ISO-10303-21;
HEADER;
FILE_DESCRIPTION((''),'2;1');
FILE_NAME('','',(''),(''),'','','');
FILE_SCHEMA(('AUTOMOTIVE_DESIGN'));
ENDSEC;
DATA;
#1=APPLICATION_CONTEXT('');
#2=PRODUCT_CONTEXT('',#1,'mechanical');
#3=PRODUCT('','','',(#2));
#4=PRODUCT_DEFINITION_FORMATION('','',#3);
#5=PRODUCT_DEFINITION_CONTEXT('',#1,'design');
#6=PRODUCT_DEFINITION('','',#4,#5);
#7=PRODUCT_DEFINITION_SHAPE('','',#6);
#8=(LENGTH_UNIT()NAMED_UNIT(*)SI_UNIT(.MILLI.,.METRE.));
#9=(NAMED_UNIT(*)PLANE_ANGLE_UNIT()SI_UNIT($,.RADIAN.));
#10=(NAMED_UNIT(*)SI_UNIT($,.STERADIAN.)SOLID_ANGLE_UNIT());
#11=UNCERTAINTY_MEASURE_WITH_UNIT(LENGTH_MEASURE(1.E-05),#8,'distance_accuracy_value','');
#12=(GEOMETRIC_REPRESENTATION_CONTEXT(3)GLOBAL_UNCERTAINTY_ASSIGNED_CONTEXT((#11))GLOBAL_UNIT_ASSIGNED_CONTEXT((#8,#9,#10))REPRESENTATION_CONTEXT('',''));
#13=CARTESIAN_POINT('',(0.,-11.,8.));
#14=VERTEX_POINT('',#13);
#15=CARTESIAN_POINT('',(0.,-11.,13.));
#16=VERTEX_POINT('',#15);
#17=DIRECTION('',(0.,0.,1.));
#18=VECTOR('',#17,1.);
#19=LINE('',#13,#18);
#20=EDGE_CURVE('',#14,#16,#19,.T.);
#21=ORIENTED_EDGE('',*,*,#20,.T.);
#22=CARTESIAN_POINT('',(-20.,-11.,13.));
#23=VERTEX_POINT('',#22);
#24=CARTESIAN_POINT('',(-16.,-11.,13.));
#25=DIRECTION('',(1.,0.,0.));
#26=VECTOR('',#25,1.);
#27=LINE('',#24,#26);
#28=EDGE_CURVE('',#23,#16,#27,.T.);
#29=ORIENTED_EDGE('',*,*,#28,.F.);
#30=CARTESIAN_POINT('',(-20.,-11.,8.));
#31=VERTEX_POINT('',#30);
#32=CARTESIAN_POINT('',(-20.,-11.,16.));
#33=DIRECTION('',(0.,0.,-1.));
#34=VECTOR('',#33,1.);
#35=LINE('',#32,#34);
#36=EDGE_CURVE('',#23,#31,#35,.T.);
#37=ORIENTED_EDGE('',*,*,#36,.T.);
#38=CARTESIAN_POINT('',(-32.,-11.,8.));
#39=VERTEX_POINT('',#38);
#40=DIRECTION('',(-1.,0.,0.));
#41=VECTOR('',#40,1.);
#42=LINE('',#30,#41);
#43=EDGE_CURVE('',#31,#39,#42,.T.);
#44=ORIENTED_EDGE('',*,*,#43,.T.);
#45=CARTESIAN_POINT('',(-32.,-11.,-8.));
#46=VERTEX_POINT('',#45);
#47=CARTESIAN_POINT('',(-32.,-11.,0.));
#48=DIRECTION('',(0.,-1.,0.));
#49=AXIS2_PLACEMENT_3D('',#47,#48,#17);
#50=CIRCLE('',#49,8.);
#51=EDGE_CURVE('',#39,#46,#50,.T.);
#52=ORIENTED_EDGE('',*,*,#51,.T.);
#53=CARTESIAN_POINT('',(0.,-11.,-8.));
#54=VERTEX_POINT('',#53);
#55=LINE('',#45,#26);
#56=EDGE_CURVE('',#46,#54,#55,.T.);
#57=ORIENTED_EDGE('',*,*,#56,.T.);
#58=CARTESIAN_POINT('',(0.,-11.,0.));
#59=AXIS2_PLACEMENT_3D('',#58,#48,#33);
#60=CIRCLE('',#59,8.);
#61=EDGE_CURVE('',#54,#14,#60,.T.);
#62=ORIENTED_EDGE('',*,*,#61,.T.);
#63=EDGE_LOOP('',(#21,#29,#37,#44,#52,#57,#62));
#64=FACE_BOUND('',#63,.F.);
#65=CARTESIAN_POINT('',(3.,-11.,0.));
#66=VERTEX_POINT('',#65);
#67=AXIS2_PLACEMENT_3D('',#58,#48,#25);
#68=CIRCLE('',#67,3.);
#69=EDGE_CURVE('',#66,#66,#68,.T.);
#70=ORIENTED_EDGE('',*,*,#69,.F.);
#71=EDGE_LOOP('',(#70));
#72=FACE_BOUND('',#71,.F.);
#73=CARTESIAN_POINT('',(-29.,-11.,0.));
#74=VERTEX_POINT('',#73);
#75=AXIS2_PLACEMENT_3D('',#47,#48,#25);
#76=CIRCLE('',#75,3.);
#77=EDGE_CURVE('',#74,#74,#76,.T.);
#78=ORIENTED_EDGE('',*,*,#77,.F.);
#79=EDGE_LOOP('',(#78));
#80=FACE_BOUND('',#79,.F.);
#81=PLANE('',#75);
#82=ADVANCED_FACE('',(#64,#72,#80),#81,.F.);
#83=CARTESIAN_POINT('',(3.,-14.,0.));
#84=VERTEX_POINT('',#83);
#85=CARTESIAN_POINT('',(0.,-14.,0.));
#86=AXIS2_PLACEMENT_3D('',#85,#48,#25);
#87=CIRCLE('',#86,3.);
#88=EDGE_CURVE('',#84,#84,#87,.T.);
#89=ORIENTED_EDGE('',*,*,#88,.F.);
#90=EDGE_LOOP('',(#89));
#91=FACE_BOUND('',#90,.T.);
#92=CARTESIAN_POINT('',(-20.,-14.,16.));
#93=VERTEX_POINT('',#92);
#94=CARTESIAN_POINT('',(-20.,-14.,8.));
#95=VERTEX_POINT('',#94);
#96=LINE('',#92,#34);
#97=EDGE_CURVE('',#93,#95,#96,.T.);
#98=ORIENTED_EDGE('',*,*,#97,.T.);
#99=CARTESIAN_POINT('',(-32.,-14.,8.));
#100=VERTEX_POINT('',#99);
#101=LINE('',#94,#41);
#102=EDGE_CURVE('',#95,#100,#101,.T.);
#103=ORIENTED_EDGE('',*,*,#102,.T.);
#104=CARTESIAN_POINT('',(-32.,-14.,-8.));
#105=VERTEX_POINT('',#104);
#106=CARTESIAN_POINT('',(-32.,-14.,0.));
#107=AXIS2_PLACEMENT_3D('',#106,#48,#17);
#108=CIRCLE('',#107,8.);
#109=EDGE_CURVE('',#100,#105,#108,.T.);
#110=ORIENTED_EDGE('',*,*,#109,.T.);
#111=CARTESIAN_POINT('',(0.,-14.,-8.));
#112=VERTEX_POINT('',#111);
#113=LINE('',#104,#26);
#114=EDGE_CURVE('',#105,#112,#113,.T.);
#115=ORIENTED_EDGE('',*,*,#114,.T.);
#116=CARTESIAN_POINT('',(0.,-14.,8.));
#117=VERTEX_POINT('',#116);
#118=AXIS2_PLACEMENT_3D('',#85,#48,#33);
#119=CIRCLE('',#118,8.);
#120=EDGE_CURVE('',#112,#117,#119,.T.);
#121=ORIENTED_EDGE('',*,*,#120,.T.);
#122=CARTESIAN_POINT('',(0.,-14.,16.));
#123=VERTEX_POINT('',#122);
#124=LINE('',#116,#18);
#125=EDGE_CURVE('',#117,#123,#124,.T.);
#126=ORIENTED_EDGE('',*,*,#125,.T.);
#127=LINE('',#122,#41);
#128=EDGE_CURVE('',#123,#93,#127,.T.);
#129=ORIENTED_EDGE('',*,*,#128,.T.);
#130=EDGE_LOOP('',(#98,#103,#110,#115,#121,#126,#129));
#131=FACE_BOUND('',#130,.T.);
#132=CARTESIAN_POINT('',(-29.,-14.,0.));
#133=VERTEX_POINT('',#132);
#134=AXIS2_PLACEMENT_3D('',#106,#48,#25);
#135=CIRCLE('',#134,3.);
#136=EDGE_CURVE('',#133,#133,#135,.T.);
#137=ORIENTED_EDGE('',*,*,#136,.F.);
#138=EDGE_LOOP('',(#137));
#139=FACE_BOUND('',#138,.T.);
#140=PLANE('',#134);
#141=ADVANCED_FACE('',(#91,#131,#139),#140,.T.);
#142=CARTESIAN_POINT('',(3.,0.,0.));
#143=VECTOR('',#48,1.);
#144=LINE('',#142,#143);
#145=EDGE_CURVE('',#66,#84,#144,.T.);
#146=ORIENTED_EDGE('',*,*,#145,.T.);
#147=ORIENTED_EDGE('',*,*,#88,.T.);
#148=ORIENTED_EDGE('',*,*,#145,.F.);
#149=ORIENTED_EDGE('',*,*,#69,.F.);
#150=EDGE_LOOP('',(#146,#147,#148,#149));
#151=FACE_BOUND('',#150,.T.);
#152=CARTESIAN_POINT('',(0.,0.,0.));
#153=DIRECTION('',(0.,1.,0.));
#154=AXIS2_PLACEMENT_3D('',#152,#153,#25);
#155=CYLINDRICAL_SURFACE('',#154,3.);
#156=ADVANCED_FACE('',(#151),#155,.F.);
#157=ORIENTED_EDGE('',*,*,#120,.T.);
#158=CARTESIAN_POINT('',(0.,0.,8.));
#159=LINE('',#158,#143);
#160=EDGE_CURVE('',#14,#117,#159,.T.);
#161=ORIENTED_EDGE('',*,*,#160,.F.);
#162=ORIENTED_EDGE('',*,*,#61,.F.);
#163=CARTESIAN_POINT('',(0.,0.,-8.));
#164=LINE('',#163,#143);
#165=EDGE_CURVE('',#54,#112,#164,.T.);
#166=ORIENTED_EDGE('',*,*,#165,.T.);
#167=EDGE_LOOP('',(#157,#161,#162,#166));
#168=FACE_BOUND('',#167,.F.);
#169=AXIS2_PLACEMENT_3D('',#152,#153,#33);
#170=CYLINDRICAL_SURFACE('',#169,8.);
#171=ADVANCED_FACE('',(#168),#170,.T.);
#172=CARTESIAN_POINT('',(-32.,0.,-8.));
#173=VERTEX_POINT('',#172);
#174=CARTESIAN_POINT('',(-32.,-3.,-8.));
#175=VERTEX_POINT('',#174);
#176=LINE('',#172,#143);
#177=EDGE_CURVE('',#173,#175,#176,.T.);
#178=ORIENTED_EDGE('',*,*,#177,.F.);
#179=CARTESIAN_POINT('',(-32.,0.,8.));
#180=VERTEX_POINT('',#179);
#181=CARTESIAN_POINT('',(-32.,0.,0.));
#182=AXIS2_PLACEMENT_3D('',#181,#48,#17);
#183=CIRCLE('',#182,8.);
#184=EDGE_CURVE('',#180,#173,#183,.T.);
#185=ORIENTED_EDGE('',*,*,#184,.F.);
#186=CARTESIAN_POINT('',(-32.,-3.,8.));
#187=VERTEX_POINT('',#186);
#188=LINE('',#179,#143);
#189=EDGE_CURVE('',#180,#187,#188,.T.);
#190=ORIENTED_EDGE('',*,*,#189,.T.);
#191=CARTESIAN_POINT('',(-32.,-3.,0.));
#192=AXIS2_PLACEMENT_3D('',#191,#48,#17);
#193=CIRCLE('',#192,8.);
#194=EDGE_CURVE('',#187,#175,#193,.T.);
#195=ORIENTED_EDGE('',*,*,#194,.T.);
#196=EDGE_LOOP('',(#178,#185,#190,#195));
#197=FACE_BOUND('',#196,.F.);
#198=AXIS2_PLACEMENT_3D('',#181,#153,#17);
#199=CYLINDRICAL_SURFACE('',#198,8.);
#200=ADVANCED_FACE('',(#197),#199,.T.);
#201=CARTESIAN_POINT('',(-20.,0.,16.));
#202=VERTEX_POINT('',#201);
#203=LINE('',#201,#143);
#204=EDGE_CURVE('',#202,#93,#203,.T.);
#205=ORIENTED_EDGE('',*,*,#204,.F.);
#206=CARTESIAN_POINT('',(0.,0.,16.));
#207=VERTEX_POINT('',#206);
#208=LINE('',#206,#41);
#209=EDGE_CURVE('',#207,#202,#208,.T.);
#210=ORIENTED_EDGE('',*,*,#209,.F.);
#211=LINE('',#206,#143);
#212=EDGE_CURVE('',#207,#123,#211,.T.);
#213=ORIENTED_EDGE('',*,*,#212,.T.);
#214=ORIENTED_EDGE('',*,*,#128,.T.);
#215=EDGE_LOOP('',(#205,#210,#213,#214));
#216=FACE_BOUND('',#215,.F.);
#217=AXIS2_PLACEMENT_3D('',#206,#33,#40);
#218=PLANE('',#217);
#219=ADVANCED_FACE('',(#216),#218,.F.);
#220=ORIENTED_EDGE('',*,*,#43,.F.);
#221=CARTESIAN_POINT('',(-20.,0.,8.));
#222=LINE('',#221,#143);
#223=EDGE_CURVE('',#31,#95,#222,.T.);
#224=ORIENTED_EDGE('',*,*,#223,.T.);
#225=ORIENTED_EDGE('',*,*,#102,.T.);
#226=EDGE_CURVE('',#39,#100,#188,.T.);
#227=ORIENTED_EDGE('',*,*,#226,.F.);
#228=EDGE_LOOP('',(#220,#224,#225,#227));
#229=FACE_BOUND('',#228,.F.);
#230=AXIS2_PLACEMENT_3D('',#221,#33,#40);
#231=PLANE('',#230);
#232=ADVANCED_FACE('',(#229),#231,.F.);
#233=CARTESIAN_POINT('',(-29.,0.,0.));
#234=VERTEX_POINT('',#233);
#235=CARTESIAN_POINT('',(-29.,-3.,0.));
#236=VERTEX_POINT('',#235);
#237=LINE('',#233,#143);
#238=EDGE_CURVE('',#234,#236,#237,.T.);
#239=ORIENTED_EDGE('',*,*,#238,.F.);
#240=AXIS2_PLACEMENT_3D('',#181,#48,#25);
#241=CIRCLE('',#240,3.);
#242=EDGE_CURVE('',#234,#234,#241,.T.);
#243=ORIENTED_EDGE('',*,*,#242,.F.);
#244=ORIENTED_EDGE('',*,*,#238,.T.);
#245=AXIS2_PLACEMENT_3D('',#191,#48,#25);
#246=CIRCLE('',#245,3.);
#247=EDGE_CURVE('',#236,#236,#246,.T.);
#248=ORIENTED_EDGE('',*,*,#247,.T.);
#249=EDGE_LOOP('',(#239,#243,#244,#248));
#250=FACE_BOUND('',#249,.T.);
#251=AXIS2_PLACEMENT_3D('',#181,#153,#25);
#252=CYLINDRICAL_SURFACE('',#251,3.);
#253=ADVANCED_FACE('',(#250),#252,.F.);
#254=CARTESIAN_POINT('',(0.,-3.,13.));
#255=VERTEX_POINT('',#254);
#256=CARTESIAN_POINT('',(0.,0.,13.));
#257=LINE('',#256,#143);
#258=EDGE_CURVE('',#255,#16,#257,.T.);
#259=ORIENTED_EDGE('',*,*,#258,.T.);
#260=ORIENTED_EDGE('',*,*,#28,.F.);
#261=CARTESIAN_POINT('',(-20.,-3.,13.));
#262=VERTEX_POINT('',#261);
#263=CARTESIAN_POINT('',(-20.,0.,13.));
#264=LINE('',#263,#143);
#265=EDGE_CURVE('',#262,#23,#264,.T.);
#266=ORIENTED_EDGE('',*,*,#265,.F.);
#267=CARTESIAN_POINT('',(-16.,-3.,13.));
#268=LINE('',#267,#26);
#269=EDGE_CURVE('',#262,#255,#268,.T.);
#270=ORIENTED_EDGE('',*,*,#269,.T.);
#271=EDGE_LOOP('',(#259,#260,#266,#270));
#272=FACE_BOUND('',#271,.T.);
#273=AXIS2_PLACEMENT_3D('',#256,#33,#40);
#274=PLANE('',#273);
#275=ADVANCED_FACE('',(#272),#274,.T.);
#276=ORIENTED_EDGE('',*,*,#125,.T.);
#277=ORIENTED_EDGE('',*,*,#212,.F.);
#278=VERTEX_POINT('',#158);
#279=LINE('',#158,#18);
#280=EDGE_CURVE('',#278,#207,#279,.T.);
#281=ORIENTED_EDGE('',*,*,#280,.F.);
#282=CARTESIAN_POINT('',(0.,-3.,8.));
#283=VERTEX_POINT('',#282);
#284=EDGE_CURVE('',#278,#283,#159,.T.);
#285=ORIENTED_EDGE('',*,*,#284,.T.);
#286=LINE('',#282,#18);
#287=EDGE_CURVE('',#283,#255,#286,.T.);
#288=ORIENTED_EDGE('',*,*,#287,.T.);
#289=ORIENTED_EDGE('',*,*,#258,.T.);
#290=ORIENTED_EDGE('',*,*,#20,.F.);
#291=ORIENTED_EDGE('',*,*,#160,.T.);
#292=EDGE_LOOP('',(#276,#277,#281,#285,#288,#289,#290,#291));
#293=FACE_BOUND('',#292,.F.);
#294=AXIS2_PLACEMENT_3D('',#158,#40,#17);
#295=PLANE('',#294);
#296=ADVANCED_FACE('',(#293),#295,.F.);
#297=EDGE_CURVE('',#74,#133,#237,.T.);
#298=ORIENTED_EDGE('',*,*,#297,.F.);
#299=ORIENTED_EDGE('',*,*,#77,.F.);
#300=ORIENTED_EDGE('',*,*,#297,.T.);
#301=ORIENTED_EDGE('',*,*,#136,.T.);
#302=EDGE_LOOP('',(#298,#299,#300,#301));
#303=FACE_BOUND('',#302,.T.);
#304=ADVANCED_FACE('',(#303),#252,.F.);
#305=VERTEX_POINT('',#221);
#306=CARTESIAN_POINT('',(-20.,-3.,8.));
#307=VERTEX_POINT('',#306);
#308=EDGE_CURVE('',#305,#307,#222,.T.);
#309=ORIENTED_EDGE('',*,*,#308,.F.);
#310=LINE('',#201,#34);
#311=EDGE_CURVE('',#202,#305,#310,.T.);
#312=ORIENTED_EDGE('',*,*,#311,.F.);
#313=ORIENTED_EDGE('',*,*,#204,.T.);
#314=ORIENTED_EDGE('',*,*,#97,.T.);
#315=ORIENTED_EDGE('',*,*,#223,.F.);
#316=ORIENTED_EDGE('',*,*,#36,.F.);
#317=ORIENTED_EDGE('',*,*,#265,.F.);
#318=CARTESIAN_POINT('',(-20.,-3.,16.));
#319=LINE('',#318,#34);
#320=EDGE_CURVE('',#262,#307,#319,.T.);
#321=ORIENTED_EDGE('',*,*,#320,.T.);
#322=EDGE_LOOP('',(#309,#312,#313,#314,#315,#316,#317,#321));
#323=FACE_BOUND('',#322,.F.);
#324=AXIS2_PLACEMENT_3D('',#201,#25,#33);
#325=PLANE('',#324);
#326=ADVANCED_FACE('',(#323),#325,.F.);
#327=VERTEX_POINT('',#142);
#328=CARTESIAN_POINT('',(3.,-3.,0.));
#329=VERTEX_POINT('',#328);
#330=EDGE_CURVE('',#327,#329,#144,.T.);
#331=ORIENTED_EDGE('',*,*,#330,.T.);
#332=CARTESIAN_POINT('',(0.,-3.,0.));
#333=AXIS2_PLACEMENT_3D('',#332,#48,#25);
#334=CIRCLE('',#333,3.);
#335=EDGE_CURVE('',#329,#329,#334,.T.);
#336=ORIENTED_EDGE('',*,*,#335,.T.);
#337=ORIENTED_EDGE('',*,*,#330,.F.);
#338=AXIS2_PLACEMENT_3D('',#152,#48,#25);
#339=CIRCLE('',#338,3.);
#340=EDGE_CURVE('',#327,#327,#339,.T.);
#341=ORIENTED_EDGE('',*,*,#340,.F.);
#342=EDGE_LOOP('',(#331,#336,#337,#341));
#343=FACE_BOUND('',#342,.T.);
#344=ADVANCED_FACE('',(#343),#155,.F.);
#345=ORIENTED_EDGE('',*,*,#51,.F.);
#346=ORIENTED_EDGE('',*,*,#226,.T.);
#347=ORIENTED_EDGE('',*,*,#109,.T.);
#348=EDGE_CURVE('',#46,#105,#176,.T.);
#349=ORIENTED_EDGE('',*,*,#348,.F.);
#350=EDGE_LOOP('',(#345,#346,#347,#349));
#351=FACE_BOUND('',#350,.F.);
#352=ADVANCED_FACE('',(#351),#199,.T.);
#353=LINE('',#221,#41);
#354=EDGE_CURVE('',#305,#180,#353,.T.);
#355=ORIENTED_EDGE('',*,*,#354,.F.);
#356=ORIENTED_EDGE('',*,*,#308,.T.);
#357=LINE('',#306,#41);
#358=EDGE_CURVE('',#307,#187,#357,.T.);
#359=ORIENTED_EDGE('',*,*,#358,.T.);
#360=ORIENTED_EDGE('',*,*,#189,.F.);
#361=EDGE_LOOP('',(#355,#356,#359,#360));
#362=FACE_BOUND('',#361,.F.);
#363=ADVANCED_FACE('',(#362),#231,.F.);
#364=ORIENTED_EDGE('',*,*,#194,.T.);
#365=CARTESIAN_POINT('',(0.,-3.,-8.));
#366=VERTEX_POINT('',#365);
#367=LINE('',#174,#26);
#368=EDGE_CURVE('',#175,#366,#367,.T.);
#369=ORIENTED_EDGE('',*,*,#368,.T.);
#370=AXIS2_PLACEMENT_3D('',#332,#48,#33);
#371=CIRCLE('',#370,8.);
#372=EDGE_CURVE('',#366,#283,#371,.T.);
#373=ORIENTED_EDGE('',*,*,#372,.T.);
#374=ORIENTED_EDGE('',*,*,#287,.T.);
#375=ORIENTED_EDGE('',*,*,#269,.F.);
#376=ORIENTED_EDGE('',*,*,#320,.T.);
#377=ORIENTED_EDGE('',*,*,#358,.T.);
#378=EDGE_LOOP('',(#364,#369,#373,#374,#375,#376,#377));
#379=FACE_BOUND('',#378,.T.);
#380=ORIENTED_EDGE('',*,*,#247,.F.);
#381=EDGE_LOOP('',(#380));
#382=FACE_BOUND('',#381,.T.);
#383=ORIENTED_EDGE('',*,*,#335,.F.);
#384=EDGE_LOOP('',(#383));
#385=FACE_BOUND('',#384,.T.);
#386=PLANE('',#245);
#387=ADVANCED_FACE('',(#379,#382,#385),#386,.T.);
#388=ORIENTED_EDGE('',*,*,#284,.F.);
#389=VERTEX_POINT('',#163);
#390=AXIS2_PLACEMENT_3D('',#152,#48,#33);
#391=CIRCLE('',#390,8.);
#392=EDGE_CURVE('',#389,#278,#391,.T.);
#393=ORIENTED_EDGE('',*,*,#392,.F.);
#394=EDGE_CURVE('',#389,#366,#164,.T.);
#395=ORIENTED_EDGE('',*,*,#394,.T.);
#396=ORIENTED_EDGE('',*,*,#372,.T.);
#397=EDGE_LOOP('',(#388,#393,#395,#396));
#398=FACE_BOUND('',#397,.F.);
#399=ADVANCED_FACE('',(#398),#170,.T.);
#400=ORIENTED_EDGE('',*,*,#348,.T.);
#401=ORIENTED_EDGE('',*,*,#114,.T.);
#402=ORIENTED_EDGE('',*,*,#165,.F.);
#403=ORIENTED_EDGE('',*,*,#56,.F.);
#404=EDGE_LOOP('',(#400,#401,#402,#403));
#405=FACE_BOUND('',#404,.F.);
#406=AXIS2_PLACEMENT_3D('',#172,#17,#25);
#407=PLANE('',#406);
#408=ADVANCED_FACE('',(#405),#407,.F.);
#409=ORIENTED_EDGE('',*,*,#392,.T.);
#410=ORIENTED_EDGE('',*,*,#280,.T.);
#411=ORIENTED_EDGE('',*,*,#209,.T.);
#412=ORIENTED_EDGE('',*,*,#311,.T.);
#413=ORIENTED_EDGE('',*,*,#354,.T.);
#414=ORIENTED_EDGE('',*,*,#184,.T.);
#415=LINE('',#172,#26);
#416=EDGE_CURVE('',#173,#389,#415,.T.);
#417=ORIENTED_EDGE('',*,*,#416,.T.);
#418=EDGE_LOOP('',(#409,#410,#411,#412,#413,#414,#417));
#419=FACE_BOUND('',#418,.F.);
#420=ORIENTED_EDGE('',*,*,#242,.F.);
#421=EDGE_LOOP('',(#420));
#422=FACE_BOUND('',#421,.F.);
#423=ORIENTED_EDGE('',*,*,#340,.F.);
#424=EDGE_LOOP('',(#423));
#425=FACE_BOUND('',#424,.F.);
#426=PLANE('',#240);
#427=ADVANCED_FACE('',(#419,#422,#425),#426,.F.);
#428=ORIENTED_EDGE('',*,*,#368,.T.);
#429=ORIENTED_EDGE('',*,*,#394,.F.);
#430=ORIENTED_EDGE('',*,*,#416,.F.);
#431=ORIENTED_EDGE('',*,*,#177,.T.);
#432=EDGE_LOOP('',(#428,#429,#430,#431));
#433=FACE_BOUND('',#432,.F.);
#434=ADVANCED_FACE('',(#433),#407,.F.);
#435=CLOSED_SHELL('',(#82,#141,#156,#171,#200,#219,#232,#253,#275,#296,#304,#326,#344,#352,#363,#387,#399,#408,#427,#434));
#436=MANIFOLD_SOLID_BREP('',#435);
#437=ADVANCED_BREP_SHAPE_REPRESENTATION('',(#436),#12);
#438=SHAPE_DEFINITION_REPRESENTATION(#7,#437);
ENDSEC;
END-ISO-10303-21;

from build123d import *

# Parameters (mm, degrees)
F0_R     = 3
F1_DEPTH = 14
F2_T     = -3


with BuildPart() as f1:
    # F0 (on Front) → F1 (new body)
    with BuildSketch(Plane.XZ):
        with BuildLine():
            ThreePointArc((-32, -8), (-24, 0), (-32, 8))
            ThreePointArc((-32, 8), (-40, 0), (-32, -8))
        make_face()
        with Locations((-32, 0)):
            Circle(F0_R, mode=Mode.SUBTRACT)
        with BuildLine():
            Line((-20, 8), (-32, 8))
            ThreePointArc((-32, 8), (-24, 0), (-32, -8))
            Line((-32, -8), (0, -8))
            ThreePointArc((0, -8), (-8, 0), (0, 8))
            Line((0, 8), (0, 16))
            Line((0, 16), (-20, 16))
            Line((-20, 16), (-20, 8))
        make_face()
        with BuildLine():
            ThreePointArc((0, 8), (-8, 0), (0, -8))
            ThreePointArc((0, -8), (8, 0), (0, 8))
        make_face()
        Circle(F0_R, mode=Mode.SUBTRACT)
    extrude(amount=F1_DEPTH)

    # F2
    f2_openings = [f1.faces().sort_by_distance(p)[0] for p in [
        (-26, -7, 8),
        (-20, -7, 12),
        (-16, -7, -8),
        (0, -7, 12),
        (8, -7, 0),
        (-40, -7, 0),
        (-35, -7, 0),
        (-3, -7, 0),
    ]]
    offset(amount=F2_T, openings=f2_openings)


solid = f1.part
